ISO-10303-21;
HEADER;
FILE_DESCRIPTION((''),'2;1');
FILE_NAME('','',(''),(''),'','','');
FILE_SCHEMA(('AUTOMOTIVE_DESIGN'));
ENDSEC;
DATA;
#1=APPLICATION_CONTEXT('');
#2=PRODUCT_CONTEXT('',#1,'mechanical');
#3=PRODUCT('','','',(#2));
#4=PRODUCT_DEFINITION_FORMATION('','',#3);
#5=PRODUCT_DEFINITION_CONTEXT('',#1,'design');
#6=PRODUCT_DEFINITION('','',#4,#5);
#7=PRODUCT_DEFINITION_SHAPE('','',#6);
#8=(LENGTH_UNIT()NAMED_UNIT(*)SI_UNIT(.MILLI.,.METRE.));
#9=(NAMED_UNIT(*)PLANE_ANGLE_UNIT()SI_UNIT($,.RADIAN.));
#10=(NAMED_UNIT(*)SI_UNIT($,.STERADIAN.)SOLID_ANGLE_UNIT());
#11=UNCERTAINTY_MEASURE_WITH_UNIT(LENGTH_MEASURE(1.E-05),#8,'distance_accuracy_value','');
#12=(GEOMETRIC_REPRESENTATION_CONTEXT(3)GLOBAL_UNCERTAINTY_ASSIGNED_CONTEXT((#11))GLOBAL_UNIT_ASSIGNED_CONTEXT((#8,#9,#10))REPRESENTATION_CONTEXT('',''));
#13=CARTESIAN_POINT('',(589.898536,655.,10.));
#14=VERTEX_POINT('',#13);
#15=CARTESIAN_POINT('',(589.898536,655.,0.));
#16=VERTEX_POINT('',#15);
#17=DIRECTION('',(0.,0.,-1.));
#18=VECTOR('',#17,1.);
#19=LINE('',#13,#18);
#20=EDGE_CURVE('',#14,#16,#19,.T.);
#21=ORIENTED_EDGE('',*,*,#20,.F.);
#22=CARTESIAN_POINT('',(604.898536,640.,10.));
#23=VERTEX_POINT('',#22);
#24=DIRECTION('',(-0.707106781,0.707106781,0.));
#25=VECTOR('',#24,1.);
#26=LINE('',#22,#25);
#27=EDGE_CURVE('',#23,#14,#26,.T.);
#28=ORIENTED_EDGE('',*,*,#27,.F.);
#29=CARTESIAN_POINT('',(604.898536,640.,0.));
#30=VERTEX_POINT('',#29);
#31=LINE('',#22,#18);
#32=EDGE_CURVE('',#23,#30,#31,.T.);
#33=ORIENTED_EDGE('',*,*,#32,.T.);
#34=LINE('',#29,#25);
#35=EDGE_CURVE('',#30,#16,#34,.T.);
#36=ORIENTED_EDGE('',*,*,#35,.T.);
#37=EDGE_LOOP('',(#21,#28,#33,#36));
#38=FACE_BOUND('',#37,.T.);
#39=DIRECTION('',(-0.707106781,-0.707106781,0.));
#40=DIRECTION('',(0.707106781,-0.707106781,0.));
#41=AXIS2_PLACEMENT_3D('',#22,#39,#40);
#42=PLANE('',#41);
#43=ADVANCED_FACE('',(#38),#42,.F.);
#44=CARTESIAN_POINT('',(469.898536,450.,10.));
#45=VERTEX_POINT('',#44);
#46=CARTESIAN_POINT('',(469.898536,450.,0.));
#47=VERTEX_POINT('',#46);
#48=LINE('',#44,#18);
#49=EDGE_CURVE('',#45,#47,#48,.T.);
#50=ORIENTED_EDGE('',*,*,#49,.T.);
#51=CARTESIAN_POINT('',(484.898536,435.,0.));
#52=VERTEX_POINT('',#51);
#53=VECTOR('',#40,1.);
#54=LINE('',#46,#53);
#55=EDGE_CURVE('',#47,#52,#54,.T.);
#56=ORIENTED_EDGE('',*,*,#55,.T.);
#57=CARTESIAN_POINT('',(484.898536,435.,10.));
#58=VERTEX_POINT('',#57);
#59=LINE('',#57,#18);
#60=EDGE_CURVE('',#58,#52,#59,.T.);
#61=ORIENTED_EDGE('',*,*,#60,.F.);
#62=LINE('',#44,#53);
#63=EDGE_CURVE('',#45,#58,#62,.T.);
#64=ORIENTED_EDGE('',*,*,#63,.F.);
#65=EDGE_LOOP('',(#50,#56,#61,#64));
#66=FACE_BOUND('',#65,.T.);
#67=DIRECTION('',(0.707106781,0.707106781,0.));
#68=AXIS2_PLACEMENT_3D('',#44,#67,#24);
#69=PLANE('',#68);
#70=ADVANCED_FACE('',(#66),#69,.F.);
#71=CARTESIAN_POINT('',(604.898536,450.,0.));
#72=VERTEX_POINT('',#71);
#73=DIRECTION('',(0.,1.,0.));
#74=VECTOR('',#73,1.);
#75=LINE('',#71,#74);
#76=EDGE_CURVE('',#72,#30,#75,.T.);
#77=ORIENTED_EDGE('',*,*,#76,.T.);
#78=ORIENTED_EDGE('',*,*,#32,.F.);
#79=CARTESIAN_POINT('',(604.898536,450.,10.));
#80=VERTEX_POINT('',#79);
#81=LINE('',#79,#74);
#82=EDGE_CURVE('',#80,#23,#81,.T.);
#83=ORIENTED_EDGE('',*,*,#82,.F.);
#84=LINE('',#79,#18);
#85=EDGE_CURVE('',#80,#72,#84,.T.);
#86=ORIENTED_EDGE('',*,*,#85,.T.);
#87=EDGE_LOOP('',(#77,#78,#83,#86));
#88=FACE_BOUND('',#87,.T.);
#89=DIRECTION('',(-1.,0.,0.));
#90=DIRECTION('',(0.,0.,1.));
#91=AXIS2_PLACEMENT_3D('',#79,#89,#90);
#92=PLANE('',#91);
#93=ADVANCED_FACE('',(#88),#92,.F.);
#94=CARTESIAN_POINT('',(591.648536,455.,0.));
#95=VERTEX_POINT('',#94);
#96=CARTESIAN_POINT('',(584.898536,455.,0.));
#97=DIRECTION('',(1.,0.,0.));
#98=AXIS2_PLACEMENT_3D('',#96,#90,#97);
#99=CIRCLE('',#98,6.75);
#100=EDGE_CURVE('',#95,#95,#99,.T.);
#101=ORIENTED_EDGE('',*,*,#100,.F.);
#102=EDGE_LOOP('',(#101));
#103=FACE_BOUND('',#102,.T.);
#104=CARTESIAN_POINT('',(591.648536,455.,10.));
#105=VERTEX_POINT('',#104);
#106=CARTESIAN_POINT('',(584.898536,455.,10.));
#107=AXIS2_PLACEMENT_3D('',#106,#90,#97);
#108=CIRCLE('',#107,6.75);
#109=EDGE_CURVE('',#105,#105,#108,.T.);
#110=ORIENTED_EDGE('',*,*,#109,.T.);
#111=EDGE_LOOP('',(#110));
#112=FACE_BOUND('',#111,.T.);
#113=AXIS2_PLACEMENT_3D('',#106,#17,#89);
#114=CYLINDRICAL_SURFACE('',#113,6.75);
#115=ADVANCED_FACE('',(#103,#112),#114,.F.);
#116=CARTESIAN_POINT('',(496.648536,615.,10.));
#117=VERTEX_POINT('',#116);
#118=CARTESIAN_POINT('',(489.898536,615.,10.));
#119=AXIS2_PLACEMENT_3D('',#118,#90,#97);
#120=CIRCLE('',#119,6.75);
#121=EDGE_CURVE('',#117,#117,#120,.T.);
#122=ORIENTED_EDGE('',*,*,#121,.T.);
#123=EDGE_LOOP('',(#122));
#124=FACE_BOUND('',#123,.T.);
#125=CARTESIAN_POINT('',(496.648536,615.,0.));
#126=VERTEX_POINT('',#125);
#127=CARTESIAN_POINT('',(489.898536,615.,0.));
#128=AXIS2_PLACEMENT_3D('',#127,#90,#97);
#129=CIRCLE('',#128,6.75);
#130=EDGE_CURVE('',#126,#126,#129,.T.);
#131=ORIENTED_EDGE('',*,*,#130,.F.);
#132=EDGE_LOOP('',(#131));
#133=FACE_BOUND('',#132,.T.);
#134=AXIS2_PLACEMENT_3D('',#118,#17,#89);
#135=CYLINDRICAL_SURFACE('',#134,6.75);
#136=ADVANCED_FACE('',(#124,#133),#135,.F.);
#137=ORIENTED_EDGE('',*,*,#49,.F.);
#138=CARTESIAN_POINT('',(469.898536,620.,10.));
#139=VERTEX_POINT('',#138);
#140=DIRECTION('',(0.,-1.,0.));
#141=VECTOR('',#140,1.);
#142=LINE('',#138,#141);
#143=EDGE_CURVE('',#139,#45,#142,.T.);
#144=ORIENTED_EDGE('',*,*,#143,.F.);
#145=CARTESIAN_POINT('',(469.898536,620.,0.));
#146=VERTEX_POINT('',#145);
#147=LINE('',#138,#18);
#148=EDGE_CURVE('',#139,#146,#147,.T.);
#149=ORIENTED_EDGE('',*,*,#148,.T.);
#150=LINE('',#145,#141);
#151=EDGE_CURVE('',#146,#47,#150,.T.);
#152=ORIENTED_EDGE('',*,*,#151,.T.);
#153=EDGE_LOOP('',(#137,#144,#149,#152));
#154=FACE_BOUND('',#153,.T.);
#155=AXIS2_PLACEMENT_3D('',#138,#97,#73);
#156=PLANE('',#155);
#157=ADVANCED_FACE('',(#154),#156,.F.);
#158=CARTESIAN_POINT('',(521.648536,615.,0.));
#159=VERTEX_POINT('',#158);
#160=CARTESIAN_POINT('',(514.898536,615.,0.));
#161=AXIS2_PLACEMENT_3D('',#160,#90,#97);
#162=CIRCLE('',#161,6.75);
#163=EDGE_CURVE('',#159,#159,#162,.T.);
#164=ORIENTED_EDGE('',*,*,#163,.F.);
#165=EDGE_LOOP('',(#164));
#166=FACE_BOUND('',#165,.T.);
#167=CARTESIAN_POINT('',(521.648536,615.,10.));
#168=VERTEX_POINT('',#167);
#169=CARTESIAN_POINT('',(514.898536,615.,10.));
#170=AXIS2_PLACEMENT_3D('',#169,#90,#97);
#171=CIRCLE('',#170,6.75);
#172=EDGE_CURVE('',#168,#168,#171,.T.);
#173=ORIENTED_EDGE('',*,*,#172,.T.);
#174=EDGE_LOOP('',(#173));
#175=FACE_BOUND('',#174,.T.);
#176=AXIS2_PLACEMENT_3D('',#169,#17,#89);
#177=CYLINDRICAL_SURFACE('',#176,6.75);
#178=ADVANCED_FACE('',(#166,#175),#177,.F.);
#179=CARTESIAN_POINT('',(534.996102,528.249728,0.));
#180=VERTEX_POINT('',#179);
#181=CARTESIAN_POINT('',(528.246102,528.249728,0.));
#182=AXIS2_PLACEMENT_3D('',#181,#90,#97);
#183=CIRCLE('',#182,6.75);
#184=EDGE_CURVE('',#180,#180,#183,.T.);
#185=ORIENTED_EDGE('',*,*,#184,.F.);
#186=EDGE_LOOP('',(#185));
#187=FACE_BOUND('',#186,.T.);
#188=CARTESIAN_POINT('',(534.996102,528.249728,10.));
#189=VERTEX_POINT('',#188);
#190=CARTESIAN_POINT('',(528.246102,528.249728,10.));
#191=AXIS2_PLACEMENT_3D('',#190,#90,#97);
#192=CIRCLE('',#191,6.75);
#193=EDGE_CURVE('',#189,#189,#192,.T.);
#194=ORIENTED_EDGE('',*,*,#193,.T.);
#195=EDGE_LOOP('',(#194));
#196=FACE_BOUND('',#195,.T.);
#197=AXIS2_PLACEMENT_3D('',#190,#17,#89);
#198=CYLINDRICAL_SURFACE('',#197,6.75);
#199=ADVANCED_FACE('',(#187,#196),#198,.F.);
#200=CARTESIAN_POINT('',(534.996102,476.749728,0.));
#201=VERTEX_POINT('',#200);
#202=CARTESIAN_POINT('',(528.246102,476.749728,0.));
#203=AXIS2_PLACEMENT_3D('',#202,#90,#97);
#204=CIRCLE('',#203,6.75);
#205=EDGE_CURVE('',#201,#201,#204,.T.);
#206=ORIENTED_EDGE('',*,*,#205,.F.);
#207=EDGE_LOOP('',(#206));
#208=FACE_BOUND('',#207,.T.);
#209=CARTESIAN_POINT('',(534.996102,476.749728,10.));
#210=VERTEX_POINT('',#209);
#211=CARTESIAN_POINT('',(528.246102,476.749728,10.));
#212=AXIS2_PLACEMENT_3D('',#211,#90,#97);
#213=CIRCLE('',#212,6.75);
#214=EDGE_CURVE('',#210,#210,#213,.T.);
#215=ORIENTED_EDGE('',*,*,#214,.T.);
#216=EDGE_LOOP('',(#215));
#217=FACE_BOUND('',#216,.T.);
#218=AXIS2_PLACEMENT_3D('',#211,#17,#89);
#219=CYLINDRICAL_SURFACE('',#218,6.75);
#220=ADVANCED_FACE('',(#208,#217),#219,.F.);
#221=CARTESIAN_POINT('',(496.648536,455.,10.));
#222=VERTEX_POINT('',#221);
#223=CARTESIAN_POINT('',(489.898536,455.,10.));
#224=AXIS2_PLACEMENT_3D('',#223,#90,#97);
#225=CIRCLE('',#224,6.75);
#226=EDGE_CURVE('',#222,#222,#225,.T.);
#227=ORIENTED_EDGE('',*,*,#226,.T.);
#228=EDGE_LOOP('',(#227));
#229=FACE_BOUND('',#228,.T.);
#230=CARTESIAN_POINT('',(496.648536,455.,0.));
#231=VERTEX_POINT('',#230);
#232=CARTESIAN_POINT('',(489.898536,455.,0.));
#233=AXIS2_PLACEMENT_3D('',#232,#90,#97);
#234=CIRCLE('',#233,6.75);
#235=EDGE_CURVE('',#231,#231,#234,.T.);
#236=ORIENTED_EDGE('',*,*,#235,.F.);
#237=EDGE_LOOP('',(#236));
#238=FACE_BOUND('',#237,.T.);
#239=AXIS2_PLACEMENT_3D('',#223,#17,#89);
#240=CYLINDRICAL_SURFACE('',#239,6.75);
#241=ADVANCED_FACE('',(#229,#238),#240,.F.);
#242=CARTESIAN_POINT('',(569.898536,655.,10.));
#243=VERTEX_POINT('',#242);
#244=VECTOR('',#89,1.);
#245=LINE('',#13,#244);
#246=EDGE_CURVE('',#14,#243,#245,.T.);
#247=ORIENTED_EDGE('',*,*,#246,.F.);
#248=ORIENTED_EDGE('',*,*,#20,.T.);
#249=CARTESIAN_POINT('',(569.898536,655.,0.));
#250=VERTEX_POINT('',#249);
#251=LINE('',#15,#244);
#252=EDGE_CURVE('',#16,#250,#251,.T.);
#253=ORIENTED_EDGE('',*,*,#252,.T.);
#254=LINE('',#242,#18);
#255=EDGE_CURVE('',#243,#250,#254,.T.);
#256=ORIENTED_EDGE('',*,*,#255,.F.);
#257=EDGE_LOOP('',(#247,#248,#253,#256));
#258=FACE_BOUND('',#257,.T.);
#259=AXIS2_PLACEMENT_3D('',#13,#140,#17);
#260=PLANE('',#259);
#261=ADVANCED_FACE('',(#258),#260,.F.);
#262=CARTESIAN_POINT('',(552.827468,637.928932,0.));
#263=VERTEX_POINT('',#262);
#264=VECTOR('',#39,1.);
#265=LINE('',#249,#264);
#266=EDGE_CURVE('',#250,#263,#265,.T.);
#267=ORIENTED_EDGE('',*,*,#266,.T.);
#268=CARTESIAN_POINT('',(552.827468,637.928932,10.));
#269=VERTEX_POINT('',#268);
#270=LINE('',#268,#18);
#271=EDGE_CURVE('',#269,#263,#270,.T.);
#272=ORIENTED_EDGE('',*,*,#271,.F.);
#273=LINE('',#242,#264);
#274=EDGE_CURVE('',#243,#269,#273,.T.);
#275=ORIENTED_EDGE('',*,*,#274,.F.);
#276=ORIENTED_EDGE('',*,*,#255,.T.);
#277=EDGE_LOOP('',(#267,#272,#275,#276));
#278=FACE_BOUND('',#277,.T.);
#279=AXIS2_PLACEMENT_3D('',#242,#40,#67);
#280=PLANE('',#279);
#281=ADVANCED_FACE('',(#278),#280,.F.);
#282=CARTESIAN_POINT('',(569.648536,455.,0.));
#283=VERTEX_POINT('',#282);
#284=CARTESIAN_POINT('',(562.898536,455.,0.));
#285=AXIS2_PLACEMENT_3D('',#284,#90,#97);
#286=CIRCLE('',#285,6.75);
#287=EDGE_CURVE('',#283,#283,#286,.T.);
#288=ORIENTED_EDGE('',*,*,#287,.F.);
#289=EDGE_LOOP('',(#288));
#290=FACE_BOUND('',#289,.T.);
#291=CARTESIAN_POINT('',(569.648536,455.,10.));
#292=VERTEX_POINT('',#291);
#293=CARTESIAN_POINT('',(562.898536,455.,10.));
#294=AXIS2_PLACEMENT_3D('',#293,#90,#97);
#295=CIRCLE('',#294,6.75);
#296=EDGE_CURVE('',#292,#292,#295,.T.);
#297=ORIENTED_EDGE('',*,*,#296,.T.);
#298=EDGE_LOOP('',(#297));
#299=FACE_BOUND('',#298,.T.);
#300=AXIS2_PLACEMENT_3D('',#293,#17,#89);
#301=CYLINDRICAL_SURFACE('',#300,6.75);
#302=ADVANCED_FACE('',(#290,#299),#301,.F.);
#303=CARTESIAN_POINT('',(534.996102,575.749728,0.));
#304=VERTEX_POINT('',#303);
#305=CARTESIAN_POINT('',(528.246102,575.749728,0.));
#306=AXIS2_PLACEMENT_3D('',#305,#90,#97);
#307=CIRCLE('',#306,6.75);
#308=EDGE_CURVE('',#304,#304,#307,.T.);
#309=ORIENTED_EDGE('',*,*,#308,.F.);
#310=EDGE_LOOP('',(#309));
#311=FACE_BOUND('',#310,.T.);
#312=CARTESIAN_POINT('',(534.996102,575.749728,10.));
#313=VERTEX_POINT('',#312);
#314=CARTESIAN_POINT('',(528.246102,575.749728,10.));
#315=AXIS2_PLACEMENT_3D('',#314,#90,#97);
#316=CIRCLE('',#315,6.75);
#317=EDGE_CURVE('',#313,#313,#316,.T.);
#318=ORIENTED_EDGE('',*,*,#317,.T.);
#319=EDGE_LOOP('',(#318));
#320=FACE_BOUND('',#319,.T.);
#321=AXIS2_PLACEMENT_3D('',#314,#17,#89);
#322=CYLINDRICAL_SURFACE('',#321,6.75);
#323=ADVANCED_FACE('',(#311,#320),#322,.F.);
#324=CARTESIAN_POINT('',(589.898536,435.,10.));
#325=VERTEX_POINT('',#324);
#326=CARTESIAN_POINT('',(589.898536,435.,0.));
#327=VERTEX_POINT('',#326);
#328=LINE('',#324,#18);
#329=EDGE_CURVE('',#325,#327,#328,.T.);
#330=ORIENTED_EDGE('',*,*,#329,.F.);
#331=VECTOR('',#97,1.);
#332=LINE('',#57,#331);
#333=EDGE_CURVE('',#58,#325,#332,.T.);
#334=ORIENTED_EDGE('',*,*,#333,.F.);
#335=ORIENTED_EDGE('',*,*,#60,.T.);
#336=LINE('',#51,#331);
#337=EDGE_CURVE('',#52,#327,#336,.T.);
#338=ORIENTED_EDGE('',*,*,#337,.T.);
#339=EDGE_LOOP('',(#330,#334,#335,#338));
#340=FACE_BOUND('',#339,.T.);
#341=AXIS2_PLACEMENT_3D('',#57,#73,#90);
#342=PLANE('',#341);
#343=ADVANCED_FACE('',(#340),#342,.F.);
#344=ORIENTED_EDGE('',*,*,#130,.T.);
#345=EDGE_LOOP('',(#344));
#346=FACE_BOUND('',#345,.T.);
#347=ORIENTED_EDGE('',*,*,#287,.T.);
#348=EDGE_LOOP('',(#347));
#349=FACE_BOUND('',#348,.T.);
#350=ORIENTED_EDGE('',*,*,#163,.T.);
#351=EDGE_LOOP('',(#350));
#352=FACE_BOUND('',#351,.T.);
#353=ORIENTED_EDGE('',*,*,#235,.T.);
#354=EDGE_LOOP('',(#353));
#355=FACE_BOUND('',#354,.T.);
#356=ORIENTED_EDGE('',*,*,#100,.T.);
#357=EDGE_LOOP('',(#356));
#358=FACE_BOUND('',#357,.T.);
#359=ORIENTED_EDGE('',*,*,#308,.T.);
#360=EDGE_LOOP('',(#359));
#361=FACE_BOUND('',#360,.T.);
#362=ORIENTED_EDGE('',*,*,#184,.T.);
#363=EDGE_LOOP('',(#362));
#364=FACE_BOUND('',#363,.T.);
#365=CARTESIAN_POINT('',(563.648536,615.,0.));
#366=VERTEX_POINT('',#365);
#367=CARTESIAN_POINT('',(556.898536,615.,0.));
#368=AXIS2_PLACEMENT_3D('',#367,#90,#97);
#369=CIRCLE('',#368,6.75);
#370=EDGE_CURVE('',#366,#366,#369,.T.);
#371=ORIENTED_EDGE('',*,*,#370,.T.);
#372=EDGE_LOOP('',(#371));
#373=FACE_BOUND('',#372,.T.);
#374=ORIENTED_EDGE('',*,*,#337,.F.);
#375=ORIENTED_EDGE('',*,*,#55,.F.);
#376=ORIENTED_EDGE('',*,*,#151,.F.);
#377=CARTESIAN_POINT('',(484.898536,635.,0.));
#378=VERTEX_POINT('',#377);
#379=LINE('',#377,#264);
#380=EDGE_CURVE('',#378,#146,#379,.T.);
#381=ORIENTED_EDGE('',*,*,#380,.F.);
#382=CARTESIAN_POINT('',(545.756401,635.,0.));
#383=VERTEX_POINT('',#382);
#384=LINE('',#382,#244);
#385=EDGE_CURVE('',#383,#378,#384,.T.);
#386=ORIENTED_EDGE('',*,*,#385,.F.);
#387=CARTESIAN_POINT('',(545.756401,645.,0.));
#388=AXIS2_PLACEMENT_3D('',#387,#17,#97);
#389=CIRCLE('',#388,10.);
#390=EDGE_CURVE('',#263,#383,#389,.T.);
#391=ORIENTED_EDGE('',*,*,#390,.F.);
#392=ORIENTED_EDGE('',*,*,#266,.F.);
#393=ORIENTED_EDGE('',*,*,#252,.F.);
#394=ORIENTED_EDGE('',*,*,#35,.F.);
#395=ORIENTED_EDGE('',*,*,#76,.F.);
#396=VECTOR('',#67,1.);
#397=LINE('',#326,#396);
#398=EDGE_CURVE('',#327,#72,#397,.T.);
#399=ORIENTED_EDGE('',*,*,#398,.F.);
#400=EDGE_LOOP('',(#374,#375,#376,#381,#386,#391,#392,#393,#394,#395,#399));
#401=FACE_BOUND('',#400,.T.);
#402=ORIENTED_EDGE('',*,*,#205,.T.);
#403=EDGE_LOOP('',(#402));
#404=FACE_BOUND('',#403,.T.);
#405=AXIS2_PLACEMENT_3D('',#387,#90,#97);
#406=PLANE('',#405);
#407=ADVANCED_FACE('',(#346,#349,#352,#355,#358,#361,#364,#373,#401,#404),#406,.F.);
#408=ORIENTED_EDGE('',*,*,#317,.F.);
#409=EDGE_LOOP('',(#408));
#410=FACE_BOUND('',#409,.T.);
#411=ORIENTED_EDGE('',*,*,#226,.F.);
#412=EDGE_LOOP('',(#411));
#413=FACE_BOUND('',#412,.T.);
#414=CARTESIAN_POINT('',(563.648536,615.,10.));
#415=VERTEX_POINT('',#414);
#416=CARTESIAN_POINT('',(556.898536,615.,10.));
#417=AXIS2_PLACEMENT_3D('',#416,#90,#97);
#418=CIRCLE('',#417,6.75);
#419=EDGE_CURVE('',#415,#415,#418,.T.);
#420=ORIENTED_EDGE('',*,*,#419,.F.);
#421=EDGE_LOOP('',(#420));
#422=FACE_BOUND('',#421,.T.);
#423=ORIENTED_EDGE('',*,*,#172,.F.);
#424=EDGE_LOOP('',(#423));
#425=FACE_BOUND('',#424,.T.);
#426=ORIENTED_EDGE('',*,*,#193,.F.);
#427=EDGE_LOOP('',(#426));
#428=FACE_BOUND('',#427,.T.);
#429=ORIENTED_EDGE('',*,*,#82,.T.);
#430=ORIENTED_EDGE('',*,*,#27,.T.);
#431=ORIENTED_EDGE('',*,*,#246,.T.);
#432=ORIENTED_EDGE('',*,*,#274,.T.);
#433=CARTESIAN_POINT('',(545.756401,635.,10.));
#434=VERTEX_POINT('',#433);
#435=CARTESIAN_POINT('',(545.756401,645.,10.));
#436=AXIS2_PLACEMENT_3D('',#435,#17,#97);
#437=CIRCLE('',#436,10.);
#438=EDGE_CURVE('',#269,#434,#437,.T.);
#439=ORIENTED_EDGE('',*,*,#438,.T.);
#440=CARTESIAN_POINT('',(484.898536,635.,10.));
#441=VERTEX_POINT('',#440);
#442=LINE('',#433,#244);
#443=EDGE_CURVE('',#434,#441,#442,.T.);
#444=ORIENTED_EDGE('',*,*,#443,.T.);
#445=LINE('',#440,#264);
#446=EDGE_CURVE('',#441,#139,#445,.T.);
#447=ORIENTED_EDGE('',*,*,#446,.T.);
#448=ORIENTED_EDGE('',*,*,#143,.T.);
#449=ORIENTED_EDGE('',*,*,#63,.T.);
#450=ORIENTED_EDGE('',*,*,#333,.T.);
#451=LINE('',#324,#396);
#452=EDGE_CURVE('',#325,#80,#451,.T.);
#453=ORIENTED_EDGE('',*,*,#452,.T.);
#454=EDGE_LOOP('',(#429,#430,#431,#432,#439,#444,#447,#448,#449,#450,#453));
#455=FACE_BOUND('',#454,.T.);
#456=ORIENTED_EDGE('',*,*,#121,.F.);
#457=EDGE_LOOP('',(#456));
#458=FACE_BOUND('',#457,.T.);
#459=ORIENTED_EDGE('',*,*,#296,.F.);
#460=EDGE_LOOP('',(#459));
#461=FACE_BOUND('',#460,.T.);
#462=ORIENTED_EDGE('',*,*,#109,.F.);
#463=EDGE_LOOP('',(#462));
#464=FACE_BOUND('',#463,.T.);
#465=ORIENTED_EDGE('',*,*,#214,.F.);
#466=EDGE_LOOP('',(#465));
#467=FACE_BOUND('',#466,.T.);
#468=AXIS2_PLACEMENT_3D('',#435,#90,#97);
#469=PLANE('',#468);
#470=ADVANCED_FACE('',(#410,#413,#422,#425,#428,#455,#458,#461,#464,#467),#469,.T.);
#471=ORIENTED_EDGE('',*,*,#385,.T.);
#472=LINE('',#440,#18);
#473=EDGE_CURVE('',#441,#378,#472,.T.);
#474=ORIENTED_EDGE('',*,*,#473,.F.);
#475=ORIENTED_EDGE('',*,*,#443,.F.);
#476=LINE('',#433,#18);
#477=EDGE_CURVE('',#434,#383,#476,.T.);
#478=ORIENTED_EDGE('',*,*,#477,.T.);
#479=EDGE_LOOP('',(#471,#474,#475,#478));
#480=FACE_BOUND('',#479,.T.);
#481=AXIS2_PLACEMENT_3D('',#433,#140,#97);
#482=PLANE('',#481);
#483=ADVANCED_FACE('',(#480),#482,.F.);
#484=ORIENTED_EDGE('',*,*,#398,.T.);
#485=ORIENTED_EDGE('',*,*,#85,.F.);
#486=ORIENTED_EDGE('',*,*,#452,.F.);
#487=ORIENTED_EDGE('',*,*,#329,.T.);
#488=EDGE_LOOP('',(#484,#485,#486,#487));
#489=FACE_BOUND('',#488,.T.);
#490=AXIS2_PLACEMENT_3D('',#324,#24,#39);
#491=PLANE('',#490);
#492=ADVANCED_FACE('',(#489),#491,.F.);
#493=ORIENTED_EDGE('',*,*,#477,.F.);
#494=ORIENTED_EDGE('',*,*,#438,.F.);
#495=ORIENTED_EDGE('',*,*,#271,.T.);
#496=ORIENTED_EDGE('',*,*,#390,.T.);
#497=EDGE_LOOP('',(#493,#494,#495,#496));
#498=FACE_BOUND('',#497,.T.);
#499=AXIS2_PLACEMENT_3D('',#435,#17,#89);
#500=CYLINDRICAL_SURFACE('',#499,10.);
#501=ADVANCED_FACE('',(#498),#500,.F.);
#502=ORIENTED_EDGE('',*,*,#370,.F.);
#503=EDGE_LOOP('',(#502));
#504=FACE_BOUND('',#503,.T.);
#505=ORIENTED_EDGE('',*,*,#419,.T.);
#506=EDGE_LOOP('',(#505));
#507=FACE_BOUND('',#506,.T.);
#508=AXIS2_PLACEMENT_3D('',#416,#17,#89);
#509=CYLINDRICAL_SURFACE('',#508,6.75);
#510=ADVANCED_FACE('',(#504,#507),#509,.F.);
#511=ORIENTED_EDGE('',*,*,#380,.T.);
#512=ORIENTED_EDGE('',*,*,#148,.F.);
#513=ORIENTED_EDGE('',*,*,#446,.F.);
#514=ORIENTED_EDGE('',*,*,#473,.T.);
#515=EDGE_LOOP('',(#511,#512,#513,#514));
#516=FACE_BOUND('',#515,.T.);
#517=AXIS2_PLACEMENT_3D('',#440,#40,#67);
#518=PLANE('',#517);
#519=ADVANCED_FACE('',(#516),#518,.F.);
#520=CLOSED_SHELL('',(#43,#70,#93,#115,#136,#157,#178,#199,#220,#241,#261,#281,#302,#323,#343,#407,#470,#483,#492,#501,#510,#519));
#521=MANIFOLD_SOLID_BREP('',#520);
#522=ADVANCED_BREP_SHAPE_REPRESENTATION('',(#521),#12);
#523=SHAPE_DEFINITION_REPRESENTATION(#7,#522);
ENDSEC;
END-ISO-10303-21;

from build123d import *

# Parameters (mm, degrees)
SKETCH_1_R      = 6.75
EXTRUDE_1_DEPTH = 10


with BuildPart() as part:
    # Эскиз1 → Бобышка-Вытянуть1 (new body)
    with BuildSketch(Plane.XY):
        with BuildLine():
            Line((469.898536303, 620), (469.898536303, 450))
            Line((469.898536303, 450), (484.898536303, 435))
            Line((484.898536303, 435), (589.898536303, 435))
            Line((589.898536303, 435), (604.898536303, 450))
            Line((604.898536303, 450), (604.898536303, 640))
            Line((604.898536303, 640), (589.898536303, 655))
            Line((589.898536303, 655), (569.898536303, 655))
            Line((569.898536303, 655), (552.827468491, 637.928932188))
            ThreePointArc((552.827468491, 637.928932188), (549.583235002, 635.761204675), (545.756400679, 635))
            Line((545.756400679, 635), (484.898536303, 635))
            Line((484.898536303, 635), (469.898536303, 620))
        make_face()
        with Locations((584.898536303, 455)):
            Circle(SKETCH_1_R, mode=Mode.SUBTRACT)
        with Locations((562.898536303, 455)):
            Circle(SKETCH_1_R, mode=Mode.SUBTRACT)
        with Locations((489.898536303, 455)):
            Circle(SKETCH_1_R, mode=Mode.SUBTRACT)
        with Locations((528.246102145, 476.749727554)):
            Circle(SKETCH_1_R, mode=Mode.SUBTRACT)
        with Locations((528.246102144, 528.249727554)):
            Circle(SKETCH_1_R, mode=Mode.SUBTRACT)
        with Locations((528.246102143, 575.749727554)):
            Circle(SKETCH_1_R, mode=Mode.SUBTRACT)
        with Locations((514.898536303, 615)):
            Circle(SKETCH_1_R, mode=Mode.SUBTRACT)
        with Locations((489.898536303, 615)):
            Circle(SKETCH_1_R, mode=Mode.SUBTRACT)
        with Locations((556.898536303, 615)):
            Circle(SKETCH_1_R, mode=Mode.SUBTRACT)
    extrude(amount=EXTRUDE_1_DEPTH)


solid = part.part
